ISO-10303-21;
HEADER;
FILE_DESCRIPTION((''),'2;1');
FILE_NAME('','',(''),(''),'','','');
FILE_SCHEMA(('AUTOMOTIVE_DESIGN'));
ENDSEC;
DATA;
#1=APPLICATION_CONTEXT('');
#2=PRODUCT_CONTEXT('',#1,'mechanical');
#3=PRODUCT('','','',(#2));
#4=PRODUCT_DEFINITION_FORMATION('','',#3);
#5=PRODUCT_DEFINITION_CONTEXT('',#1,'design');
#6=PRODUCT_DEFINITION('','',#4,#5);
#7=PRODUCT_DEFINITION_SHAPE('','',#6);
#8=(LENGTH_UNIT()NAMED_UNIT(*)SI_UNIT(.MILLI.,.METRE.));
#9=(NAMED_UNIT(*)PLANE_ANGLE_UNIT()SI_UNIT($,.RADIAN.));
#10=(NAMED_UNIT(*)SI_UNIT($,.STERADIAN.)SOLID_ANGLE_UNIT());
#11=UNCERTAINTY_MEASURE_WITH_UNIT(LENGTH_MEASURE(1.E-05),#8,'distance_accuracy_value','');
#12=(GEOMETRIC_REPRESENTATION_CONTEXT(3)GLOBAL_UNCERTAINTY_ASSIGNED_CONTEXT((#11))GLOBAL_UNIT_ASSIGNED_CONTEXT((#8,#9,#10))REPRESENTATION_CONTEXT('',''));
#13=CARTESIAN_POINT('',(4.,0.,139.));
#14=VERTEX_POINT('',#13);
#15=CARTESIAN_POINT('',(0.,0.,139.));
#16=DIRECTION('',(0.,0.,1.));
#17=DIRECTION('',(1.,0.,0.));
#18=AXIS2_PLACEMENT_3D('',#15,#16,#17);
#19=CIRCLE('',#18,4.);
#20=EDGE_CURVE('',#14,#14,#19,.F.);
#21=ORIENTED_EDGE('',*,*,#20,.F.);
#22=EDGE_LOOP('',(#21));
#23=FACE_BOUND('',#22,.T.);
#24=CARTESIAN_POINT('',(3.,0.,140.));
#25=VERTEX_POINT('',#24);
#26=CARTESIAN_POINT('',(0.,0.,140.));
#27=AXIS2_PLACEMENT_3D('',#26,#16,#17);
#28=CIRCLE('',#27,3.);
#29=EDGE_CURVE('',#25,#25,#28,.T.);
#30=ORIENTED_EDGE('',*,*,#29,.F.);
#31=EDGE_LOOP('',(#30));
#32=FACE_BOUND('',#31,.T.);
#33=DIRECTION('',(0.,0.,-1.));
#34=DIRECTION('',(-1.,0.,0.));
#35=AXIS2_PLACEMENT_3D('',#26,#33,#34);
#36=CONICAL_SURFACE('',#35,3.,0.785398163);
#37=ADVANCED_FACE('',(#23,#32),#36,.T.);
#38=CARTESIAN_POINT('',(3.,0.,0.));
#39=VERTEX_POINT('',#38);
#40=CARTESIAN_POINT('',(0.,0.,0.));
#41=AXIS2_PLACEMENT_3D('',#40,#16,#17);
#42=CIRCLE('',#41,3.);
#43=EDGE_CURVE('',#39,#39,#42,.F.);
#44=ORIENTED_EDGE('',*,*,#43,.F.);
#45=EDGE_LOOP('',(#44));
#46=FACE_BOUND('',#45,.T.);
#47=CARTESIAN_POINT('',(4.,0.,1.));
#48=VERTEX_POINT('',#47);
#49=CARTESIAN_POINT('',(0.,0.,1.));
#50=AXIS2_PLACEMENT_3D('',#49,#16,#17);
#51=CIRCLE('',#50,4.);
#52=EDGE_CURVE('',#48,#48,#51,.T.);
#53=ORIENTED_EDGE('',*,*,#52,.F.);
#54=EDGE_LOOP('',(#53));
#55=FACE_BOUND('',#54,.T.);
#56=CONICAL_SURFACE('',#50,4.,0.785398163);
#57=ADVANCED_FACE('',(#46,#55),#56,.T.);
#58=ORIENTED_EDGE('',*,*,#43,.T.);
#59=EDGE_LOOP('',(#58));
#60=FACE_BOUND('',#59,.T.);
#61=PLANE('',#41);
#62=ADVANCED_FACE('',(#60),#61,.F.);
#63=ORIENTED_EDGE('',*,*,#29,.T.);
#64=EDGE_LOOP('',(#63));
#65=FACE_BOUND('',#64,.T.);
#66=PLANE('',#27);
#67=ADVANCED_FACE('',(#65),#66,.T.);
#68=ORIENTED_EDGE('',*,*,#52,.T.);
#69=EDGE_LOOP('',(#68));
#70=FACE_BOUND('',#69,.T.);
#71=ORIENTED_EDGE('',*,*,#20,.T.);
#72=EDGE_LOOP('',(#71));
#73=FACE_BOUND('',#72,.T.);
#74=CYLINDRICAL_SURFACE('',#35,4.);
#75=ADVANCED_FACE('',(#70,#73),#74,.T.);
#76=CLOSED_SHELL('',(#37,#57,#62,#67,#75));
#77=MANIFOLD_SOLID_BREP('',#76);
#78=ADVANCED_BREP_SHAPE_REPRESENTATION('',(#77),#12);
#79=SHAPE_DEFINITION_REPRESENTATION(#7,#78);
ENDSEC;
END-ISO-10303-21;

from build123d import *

# Parameters (mm, degrees)
SKETCH1_R           = 4
BOSS_EXTRUDE1_DEPTH = 140
CHAMFER1_SIZE       = 1


with BuildPart() as part:
    # Sketch1 → Boss-Extrude1 (new body)
    with BuildSketch(Plane.XY):
        Circle(SKETCH1_R)
    extrude(amount=BOSS_EXTRUDE1_DEPTH)

    # Chamfer1
    chamfer1_edges = [part.edges().sort_by_distance(p)[0] for p in [
        (-4, 0, 0),
        (-4, 0, 140),
    ]]
    chamfer(chamfer1_edges, length=CHAMFER1_SIZE)


solid = part.part
